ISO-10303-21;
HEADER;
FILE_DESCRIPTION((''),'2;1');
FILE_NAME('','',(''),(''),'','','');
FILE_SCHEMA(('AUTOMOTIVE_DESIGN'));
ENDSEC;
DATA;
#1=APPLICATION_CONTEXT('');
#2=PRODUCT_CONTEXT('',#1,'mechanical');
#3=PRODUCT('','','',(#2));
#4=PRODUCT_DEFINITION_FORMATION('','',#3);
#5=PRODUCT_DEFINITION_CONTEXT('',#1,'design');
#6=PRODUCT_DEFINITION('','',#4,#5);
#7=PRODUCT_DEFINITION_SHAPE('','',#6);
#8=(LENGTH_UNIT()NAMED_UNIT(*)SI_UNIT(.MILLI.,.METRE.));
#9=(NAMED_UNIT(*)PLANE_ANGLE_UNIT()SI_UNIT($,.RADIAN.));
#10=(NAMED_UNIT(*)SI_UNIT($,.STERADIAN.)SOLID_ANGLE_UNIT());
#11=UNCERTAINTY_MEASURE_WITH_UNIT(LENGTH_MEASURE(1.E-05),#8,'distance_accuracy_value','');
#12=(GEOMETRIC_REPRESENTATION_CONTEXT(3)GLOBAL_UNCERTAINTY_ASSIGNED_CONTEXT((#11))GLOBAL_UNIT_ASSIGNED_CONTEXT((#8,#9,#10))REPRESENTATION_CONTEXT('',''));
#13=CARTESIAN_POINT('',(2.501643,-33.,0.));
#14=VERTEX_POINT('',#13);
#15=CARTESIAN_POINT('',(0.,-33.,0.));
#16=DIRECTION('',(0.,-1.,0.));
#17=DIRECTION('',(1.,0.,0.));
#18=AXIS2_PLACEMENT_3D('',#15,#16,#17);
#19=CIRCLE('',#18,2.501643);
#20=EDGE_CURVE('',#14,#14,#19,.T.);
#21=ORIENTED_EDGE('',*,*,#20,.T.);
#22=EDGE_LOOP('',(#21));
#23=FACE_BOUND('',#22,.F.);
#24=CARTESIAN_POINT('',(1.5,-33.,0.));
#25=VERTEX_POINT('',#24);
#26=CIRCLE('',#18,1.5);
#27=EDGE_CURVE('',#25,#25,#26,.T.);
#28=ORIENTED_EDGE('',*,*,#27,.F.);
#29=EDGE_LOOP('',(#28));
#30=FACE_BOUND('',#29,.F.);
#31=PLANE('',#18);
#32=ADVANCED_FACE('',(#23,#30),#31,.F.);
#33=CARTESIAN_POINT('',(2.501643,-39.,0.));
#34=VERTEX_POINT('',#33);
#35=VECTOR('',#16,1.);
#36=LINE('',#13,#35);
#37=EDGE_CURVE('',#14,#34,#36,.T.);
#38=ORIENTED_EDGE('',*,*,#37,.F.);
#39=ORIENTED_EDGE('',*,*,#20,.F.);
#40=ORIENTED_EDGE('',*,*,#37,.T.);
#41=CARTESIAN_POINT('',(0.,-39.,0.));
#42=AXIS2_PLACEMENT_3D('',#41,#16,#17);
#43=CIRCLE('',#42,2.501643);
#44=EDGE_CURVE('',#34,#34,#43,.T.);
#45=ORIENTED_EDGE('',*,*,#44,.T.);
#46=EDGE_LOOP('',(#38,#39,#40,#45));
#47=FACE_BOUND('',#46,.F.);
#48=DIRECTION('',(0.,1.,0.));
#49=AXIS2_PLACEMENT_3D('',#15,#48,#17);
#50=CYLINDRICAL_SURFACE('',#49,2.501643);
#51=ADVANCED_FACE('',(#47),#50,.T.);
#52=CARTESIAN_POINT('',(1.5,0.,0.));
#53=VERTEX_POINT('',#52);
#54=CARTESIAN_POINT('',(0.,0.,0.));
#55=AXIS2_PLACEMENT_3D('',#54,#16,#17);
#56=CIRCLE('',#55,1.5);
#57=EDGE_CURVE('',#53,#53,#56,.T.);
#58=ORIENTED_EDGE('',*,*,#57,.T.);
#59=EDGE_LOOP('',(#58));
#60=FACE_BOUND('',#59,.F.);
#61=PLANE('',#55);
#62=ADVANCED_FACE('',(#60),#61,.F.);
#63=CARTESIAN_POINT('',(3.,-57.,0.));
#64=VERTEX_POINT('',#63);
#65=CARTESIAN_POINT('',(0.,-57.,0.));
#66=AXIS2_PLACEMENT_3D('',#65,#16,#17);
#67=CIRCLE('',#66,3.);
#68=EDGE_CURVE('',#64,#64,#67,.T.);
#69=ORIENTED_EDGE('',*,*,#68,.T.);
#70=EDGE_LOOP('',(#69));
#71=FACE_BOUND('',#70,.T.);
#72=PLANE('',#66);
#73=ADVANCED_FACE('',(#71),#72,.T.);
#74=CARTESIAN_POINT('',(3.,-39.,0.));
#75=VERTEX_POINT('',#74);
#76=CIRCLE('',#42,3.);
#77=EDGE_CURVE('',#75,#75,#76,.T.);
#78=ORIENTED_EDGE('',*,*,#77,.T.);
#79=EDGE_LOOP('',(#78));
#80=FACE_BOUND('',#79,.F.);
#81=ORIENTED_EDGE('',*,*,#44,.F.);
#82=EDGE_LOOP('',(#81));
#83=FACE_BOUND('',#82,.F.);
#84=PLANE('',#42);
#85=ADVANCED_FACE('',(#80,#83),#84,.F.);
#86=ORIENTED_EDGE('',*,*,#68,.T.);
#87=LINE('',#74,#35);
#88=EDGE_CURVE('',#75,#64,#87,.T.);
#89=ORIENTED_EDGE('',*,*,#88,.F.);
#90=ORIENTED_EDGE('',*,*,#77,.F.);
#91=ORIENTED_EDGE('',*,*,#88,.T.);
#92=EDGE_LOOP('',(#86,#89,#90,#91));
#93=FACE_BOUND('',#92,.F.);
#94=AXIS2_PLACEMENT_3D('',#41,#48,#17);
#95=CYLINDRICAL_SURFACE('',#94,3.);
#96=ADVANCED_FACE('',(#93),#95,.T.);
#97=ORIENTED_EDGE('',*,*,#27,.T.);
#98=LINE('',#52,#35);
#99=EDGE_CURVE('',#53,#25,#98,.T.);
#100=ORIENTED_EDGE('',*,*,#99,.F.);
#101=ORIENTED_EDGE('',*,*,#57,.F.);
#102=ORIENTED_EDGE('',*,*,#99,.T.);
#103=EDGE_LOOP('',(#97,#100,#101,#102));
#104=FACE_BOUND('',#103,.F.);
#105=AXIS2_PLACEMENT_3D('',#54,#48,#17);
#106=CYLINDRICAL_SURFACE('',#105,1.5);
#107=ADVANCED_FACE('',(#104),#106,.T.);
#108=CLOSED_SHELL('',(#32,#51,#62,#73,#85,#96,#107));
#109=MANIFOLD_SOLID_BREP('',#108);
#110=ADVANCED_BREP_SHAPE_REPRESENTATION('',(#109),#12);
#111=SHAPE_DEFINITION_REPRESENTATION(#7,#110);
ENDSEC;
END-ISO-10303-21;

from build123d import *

# Parameters (mm, degrees)
F0_R     = 1.5
F1_DEPTH = 33
F2_R     = 2.5016426342
F2_R_2   = 1.5
F3_DEPTH = 6
F4_R     = 3
F4_R_2   = 2.5016426342
F5_DEPTH = 18


with BuildPart() as f1:
    # F0 (on Front) → F1 (new body)
    with BuildSketch(Plane.XZ):
        Circle(F0_R)
    extrude(amount=F1_DEPTH)

    # F2 (on face) → F3 (join)
    with BuildSketch(Plane.XZ.offset(33)):
        Circle(F2_R)
        Circle(F2_R_2, mode=Mode.SUBTRACT)
        Circle(F2_R_2)
    extrude(amount=F3_DEPTH)

    # F4 (on face) → F5 (join)
    with BuildSketch(Plane.XZ.offset(39)):
        Circle(F4_R)
        Circle(F4_R_2, mode=Mode.SUBTRACT)
        Circle(F4_R_2)
    extrude(amount=F5_DEPTH)


solid = f1.part
